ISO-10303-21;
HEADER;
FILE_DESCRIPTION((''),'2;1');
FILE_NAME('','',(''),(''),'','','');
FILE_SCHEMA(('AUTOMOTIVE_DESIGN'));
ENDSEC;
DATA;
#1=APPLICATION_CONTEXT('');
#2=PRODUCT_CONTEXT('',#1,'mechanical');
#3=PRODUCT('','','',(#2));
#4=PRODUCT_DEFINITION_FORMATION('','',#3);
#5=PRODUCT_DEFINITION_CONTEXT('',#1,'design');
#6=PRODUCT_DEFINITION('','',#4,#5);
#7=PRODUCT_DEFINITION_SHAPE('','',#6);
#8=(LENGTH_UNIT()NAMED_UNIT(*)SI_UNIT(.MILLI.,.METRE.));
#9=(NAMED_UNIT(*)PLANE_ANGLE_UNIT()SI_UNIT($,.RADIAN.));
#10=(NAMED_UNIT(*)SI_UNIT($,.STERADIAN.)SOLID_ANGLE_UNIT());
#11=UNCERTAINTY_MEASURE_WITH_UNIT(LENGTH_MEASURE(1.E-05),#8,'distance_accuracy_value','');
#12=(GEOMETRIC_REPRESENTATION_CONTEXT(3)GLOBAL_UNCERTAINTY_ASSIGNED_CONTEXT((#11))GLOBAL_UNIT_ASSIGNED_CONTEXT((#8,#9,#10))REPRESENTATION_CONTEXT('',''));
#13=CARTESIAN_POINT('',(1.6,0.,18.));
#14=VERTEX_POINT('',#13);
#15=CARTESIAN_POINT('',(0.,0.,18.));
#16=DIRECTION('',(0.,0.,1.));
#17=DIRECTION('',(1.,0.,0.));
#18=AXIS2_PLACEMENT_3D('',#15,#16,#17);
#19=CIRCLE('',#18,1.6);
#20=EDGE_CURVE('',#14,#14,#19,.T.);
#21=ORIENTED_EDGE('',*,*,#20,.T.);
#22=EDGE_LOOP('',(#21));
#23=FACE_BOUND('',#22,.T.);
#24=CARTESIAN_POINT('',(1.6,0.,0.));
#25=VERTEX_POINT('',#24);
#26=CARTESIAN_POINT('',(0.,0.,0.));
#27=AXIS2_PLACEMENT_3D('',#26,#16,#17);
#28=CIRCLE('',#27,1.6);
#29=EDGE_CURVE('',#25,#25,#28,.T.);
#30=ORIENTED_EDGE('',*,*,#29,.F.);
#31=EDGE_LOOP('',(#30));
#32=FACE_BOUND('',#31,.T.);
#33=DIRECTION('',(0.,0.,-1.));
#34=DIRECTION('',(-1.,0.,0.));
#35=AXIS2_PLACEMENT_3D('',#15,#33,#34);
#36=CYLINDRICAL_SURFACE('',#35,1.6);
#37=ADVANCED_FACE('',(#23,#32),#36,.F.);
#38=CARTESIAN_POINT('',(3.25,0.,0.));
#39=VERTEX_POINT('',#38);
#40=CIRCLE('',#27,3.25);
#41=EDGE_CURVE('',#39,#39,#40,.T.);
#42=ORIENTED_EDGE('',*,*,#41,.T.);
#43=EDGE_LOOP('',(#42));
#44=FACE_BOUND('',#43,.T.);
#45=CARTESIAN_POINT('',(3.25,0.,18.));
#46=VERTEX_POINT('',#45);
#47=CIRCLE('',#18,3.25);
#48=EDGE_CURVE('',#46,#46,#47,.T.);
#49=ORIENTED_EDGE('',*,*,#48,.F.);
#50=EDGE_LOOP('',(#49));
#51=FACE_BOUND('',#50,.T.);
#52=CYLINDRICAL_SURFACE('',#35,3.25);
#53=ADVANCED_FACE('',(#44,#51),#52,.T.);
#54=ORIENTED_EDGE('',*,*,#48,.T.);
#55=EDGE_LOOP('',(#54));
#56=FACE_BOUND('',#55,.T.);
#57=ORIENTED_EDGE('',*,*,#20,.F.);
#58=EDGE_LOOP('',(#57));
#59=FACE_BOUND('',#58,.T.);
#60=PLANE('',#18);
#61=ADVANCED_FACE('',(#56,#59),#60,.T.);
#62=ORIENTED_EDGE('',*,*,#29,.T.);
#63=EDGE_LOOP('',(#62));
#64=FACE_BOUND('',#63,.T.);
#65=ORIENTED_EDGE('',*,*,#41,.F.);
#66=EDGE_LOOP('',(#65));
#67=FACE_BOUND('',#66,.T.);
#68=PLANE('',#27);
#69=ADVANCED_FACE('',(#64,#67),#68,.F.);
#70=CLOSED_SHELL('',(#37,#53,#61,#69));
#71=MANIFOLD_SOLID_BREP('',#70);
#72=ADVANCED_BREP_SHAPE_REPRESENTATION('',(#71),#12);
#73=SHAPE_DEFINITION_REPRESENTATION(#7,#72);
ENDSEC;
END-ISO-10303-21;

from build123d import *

# Parameters (mm, degrees)
ESBO_O1_R                = 3.25
ESBO_O1_R_2              = 1.6
RESSALTO_EXTRUS_O1_DEPTH = 18


with BuildPart() as part:
    # Esboço1 → Ressalto-extrusão1 (new body)
    with BuildSketch(Plane.XY):
        Circle(ESBO_O1_R)
        Circle(ESBO_O1_R_2, mode=Mode.SUBTRACT)
    extrude(amount=RESSALTO_EXTRUS_O1_DEPTH)


solid = part.part
